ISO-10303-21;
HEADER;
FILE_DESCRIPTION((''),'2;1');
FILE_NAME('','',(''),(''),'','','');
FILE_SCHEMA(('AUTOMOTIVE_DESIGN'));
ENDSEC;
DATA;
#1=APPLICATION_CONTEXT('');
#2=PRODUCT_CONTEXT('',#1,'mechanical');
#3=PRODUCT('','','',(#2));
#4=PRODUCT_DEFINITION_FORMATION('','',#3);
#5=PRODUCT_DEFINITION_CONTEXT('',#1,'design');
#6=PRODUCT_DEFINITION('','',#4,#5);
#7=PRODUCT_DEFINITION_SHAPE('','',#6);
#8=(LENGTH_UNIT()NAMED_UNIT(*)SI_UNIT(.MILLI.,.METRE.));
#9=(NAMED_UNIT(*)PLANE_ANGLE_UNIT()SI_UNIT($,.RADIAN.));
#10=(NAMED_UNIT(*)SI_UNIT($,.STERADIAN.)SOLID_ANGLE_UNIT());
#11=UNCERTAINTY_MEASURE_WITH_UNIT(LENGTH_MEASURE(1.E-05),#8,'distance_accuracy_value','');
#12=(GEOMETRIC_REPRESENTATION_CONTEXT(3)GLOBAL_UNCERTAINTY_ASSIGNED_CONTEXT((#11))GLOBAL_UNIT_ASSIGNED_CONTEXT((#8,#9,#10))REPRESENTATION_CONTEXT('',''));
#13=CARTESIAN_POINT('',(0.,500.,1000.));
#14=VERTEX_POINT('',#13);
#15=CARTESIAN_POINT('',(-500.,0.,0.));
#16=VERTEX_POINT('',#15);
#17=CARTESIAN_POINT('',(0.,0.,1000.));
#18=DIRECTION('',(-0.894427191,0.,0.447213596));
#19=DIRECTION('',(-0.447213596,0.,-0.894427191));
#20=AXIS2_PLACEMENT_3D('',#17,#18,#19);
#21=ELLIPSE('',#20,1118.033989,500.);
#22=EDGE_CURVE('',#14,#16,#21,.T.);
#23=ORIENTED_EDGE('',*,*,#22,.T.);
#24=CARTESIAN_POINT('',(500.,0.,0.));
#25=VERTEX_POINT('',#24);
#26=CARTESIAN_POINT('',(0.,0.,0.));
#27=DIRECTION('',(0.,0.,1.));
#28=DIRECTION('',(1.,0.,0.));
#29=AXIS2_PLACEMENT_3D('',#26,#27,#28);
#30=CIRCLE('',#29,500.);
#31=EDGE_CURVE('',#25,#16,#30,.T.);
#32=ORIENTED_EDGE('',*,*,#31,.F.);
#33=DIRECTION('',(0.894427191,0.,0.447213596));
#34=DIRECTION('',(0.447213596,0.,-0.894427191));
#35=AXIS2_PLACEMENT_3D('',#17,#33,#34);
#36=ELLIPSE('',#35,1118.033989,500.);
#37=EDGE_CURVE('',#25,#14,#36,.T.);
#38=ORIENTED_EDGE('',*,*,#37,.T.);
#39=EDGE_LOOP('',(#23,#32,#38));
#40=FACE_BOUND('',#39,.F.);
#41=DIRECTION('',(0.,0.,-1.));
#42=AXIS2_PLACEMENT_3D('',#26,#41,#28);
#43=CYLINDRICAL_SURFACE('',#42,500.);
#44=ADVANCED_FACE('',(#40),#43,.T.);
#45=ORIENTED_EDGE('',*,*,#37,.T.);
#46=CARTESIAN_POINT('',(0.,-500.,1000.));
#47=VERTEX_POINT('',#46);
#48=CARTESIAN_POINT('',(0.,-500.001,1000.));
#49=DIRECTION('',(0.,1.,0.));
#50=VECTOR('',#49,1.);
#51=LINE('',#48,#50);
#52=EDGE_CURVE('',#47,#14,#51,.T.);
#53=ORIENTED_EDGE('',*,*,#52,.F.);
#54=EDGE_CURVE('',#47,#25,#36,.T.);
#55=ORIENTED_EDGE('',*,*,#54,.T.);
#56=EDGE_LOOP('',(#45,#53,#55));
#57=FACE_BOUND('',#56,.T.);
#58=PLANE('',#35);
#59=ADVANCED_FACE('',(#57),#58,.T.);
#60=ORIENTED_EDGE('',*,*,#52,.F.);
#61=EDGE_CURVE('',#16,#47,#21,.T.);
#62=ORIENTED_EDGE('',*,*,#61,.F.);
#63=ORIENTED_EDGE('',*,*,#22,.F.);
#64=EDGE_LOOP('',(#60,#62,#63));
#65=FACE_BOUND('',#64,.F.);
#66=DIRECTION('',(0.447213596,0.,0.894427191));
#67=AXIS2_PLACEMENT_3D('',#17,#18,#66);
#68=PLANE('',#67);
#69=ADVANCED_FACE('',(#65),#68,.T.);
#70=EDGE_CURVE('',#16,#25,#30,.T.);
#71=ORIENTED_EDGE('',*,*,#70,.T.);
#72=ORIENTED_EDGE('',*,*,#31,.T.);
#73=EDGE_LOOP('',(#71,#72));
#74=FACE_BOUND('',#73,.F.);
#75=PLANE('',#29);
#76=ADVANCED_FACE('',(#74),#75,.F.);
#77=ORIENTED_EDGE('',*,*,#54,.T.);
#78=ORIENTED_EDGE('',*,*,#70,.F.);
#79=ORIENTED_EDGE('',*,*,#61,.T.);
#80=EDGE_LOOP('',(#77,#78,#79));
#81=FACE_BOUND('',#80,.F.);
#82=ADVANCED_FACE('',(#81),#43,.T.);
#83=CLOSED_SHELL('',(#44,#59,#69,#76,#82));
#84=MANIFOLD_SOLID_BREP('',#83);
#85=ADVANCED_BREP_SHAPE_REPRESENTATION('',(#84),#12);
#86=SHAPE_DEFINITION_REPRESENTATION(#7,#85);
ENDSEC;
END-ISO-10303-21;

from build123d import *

# Parameters (mm, degrees)
F0_R          = 500
F3_DEPTH      = 1000
F5_DEPTH      = 500.001
F5_DEPTH_BACK = 500.001


with BuildPart() as f3:
    # F0 (on Top) → F3 (new body, through all)
    with BuildSketch(Plane.XY):
        Circle(F0_R)
    extrude(amount=F3_DEPTH)


with BuildPart() as f5:
    # F4 (on Front) → F5 (new body, two sides)
    with BuildSketch(Plane.XZ) as f5_sk:
        Polygon((0, 1000), (500, 0), (500, 1000), align=None)
    extrude(amount=-F5_DEPTH)
    extrude(f5_sk.sketch, amount=F5_DEPTH_BACK)


with BuildPart() as f6_1:
    # F6: instance of F5
    add(f5.part.mirror(Plane.YZ))


with BuildPart() as f3_1:
    add(f3.part)

    # F7: cut F5, F6_1
    add(f5.part, mode=Mode.SUBTRACT)
    add(f6_1.part, mode=Mode.SUBTRACT)


solid = f3_1.part
